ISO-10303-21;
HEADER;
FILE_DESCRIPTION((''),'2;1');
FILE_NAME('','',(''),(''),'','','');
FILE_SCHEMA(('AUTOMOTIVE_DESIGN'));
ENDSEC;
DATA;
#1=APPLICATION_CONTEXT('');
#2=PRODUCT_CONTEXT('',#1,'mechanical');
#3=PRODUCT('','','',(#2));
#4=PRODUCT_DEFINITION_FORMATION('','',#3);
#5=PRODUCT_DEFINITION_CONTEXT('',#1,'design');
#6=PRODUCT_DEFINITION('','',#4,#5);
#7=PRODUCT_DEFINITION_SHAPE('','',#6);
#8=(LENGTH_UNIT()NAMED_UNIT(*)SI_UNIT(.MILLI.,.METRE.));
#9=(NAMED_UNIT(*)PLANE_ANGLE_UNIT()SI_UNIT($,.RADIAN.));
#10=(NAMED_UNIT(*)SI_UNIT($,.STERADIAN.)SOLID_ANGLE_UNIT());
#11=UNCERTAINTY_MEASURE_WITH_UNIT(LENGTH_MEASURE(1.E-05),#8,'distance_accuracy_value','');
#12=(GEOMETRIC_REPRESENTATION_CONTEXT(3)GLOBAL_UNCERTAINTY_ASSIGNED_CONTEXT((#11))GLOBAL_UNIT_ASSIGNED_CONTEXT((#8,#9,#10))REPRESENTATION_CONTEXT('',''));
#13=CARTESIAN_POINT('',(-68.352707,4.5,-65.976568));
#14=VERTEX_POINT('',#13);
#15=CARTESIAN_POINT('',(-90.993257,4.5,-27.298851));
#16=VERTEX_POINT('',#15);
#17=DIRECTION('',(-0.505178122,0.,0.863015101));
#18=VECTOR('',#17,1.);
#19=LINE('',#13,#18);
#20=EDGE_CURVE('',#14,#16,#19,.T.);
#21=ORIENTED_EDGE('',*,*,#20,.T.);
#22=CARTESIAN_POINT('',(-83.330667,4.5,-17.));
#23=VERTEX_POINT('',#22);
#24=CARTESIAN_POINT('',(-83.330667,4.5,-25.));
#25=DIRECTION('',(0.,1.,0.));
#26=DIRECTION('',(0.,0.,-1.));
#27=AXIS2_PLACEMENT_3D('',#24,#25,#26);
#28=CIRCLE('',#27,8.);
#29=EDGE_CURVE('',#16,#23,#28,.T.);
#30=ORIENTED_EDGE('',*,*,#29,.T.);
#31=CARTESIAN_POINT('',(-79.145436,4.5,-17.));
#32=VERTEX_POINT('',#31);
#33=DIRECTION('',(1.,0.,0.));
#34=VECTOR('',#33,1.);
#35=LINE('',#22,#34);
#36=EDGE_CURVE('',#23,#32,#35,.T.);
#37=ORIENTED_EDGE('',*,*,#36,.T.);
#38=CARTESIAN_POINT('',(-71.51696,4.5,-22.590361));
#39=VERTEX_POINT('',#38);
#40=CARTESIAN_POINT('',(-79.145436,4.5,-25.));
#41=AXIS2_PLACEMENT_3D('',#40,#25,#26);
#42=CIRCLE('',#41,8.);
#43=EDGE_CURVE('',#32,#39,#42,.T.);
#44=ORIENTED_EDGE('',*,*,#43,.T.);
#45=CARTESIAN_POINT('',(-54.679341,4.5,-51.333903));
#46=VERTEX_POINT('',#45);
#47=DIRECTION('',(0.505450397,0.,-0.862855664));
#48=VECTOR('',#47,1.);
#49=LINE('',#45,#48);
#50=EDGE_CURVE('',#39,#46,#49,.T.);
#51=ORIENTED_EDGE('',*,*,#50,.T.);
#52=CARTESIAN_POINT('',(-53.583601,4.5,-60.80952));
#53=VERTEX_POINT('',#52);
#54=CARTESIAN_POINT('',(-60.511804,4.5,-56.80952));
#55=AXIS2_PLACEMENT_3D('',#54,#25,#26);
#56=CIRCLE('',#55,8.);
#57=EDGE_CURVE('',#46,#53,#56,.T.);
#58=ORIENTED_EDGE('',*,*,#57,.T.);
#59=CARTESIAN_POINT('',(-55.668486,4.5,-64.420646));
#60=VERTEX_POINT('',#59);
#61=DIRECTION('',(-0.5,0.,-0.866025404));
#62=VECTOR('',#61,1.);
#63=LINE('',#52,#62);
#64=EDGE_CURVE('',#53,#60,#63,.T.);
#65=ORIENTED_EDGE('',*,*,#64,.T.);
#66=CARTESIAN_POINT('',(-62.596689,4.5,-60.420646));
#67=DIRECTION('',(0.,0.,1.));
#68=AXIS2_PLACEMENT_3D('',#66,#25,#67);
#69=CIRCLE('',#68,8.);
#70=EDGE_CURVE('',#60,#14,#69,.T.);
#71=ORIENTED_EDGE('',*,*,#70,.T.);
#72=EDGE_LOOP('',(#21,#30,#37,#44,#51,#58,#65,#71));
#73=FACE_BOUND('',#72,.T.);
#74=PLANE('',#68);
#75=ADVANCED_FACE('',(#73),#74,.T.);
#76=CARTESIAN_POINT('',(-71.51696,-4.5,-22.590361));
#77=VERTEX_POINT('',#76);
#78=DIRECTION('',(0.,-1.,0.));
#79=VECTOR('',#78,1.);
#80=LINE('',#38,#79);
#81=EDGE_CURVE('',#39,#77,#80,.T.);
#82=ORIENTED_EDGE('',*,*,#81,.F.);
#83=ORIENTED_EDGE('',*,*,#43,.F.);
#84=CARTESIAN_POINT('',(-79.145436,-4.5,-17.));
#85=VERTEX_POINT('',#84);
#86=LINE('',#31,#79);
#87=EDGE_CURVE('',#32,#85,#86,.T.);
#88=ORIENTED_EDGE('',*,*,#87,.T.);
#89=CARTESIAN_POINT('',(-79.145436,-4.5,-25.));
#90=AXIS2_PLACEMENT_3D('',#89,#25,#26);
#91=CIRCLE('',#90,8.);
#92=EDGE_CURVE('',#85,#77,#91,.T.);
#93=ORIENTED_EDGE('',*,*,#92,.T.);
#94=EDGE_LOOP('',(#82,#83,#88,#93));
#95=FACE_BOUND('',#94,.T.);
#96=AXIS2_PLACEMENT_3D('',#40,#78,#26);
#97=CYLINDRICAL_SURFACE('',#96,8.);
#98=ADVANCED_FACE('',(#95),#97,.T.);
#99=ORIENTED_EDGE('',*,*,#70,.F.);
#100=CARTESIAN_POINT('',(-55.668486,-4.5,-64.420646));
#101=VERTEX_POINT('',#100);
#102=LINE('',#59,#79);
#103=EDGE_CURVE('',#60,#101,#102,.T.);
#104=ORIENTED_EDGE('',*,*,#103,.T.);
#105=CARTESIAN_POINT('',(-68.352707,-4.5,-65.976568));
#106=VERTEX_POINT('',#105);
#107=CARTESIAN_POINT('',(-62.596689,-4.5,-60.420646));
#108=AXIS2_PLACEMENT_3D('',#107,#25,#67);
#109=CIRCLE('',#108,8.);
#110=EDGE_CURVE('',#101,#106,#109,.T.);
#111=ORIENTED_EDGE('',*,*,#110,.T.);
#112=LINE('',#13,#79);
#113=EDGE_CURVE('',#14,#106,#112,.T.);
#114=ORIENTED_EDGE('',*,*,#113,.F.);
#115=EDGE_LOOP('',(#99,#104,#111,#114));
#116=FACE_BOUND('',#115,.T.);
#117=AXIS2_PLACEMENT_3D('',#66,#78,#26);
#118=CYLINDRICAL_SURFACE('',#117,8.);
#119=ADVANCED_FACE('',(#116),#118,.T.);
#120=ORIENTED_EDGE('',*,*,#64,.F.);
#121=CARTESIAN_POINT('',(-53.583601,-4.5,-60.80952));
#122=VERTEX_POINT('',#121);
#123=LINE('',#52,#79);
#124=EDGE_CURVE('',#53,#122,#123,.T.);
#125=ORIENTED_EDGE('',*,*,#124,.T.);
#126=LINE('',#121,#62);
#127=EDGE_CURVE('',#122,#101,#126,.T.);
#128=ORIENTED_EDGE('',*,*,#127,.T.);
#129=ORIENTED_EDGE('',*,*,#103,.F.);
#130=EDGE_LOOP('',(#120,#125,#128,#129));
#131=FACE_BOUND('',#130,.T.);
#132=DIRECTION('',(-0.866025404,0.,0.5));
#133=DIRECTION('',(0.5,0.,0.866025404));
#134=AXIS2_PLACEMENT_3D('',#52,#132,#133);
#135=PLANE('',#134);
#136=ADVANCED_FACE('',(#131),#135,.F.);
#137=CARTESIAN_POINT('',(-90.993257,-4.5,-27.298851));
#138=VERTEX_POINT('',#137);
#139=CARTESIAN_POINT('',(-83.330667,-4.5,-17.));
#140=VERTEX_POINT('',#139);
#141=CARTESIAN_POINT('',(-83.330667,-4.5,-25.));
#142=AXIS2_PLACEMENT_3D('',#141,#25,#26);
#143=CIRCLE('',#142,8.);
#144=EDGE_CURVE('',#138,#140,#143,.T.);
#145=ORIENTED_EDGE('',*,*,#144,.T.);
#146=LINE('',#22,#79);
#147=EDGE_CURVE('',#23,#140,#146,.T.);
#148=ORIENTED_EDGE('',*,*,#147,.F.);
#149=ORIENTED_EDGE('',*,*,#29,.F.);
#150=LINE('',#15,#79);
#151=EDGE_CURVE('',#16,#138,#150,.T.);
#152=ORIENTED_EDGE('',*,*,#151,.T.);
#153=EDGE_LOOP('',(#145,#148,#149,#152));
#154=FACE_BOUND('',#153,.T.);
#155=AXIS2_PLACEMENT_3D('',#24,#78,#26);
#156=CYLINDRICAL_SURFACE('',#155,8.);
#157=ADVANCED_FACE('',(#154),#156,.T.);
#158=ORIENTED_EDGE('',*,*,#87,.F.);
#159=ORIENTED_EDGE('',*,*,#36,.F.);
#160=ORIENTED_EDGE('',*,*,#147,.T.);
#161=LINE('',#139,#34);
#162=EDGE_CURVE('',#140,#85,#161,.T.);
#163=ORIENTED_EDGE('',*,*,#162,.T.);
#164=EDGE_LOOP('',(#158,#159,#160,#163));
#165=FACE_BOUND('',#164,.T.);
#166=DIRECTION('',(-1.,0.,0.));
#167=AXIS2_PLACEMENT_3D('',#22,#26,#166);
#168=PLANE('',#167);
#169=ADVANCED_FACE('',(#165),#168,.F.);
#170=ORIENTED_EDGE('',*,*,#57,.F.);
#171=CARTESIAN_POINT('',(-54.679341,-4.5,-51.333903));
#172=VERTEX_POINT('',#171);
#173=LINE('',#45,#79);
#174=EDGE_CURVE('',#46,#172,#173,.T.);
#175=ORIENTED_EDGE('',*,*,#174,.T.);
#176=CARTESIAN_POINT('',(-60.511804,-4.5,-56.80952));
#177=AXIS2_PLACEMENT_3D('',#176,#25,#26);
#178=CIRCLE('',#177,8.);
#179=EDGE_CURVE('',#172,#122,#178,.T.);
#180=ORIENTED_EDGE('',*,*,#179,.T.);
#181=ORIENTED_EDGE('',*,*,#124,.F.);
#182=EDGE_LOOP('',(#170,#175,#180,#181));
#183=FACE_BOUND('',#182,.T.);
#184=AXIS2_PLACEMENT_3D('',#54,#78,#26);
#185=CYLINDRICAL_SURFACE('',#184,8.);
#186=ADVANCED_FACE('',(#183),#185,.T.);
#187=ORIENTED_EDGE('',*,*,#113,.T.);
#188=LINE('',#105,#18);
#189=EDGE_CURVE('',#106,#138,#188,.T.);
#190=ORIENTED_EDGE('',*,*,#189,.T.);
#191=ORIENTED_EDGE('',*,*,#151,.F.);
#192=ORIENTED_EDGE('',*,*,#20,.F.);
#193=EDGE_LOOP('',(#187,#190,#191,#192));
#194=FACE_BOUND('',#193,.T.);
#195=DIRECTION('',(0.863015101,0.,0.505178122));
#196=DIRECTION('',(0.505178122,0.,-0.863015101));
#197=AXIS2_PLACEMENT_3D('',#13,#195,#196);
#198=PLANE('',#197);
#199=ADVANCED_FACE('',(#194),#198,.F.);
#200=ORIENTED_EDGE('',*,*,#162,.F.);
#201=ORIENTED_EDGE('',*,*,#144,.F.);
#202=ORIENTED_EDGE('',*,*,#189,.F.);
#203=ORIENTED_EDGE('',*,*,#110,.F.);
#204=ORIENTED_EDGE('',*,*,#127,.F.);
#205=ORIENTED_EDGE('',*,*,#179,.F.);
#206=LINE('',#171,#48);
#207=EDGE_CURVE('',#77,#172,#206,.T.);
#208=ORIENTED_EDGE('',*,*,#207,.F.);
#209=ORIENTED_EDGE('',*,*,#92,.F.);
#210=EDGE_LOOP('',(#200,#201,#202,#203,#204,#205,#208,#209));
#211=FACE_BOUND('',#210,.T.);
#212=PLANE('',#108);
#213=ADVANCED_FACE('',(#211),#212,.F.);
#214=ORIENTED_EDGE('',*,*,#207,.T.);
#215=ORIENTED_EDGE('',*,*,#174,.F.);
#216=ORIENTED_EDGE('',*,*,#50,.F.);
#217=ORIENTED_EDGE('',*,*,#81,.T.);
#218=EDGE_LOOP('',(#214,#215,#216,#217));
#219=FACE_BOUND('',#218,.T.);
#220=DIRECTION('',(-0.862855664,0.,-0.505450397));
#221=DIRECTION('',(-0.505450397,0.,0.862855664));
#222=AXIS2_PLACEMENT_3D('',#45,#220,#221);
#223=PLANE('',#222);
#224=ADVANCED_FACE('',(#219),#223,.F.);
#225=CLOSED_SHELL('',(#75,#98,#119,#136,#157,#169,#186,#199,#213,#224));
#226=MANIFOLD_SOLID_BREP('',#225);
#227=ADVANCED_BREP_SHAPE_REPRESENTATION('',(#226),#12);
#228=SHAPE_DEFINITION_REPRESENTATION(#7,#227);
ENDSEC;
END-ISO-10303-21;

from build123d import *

# Parameters (mm, degrees)
BOSS_EXTRUDE1_DEPTH = 4.5


with BuildPart() as part:
    # Sketch1 → Boss-Extrude1 (new, symmetric)
    with BuildSketch(Plane(origin=(0, 0, 0), x_dir=(1, 0, 0), z_dir=(0, 1, 0))):
        with BuildLine():
            Line((-53.583601177, 60.80951969), (-55.668486055, 64.420646227))
            ThreePointArc((-55.668486055, 64.420646227), (-61.622662682, 68.361129347), (-68.352706691, 65.97656772))
            Line((-68.352706691, 65.97656772), (-90.993256658, 27.298850575))
            ThreePointArc((-90.993256658, 27.298850575), (-89.749031081, 20.224584028), (-83.330666624, 17))
            Line((-83.330666624, 17), (-79.14543575, 17))
            ThreePointArc((-79.14543575, 17), (-74.41664671, 18.547205705), (-71.516960015, 22.590361446))
            Line((-71.516960015, 22.590361446), (-54.679341331, 51.333903335))
            ThreePointArc((-54.679341331, 51.333903335), (-52.564762349, 55.890540621), (-53.583601177, 60.80951969))
        make_face()
    extrude(amount=BOSS_EXTRUDE1_DEPTH, both=True)


solid = part.part
